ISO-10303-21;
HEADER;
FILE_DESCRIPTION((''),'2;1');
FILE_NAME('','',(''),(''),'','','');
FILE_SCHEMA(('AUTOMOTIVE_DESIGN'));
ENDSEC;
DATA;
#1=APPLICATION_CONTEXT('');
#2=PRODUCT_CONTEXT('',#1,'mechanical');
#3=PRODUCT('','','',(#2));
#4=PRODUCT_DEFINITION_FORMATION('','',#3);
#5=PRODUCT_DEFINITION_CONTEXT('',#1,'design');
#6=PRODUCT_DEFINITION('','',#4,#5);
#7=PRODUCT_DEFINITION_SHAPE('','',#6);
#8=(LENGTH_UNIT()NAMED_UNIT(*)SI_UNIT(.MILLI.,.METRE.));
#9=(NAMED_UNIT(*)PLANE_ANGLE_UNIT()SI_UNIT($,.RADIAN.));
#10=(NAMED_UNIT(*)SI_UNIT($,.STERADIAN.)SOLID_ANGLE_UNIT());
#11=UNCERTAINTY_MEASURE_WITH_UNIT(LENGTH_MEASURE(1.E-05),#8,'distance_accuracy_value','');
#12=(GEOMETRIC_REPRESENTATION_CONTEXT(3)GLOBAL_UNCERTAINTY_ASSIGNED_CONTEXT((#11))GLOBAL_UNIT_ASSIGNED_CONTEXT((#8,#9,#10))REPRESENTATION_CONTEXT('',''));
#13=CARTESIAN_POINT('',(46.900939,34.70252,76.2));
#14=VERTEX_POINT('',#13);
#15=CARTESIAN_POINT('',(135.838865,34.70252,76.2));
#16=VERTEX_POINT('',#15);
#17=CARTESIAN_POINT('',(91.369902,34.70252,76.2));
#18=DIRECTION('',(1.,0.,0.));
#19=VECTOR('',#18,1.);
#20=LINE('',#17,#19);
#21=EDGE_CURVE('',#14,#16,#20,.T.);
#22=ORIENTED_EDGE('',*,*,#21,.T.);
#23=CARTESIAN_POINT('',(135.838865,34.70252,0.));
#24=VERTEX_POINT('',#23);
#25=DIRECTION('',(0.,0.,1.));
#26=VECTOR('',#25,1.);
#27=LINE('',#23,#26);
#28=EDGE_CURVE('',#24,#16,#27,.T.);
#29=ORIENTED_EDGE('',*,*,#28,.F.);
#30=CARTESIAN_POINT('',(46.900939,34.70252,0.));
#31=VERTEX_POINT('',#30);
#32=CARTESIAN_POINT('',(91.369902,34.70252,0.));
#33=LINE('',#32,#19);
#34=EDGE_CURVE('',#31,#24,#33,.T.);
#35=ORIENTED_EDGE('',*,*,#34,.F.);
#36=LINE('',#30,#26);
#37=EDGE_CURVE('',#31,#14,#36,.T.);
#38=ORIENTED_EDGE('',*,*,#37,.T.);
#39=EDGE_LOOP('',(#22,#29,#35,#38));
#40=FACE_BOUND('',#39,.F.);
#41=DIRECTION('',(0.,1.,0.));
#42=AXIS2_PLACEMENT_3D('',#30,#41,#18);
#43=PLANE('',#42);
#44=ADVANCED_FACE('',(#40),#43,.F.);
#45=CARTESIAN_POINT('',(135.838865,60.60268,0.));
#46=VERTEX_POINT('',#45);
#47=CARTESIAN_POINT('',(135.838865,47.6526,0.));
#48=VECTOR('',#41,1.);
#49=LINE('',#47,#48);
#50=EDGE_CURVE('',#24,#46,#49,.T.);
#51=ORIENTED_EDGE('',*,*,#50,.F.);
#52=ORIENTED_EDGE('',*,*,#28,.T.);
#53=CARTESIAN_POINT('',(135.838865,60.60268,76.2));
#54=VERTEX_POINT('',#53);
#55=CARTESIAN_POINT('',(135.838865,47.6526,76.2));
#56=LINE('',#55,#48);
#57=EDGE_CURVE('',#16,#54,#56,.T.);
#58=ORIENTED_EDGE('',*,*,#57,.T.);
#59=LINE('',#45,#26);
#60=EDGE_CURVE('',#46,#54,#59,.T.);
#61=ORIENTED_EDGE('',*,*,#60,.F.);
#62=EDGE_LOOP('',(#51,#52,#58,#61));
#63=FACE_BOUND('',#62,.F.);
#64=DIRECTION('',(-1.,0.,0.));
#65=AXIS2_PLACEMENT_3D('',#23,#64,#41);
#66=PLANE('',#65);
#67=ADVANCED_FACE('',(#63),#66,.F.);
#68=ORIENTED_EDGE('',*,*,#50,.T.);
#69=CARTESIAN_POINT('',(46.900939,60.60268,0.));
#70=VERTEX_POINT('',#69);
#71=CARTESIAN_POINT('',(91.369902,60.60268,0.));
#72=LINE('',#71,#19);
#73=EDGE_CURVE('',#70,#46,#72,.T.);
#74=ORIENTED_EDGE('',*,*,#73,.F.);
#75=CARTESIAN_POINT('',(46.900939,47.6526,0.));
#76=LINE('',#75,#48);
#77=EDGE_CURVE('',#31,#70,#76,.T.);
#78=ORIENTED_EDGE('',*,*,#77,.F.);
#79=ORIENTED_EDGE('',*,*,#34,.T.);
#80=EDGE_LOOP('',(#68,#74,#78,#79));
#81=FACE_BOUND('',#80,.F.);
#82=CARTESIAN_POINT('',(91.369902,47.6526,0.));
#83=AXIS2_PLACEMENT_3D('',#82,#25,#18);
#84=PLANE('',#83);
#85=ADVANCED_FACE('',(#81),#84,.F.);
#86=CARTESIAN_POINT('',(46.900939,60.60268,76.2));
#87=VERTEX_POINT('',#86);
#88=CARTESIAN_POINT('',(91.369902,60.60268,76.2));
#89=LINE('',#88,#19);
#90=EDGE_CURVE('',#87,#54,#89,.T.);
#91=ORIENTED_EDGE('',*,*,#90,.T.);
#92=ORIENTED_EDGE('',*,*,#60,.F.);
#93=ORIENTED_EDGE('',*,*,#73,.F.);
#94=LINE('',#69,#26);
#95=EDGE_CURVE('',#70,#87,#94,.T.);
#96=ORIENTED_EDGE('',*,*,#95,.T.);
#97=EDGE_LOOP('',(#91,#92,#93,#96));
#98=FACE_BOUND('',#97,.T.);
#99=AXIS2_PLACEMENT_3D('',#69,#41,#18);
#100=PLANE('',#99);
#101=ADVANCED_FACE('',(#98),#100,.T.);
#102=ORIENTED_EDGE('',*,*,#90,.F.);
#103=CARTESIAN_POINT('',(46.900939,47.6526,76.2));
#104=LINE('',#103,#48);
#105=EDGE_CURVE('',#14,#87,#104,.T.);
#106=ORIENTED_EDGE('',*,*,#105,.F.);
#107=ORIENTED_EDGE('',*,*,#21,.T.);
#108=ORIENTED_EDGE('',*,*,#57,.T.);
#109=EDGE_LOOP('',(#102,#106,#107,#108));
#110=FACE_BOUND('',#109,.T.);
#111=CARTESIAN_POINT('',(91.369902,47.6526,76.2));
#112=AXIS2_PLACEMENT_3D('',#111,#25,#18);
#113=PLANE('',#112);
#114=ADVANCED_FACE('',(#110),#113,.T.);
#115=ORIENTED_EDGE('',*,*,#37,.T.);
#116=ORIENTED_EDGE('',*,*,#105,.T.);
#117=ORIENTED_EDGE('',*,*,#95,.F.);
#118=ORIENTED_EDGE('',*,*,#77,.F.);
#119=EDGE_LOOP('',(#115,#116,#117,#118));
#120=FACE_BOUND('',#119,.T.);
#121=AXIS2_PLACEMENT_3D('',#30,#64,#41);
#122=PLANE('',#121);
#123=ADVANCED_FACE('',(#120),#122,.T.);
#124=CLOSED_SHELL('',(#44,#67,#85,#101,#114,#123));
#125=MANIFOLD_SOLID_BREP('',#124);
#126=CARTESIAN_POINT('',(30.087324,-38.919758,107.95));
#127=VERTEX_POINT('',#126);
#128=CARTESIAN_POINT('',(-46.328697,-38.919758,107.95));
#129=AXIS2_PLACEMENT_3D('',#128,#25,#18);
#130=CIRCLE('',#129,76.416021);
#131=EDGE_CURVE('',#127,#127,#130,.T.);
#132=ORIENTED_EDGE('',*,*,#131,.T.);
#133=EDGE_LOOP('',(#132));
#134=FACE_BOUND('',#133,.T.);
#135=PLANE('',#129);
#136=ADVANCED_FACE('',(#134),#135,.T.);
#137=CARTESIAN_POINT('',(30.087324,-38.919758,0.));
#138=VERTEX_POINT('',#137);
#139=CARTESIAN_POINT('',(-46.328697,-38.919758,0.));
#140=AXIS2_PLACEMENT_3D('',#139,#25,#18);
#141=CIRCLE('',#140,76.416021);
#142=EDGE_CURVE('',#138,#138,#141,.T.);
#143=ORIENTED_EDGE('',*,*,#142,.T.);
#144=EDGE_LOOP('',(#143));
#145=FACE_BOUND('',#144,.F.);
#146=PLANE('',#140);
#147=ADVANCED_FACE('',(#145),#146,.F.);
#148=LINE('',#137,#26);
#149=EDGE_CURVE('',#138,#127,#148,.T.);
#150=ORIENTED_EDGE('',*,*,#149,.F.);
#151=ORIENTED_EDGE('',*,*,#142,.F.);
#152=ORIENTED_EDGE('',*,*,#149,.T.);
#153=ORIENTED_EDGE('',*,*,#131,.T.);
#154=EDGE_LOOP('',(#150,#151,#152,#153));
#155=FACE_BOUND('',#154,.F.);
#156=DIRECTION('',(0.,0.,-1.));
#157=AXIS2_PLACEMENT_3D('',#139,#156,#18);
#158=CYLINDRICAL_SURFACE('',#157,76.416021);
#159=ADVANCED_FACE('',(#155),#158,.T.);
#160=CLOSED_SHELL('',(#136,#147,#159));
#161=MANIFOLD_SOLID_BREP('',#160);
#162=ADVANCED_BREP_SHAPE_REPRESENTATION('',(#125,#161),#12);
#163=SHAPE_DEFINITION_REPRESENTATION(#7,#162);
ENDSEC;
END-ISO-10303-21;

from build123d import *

# Parameters (mm, degrees)
F0_R     = 76.416021
F1_DEPTH = 107.95
F2_W     = 88.937927
F2_H     = 25.900159
F3_DEPTH = 76.2


with BuildPart() as f1:
    # F0 (on Top) → F1 (new body)
    with BuildSketch(Plane.XY):
        with Locations((-46.328697, -38.919758)):
            Circle(F0_R)
    extrude(amount=F1_DEPTH)


with BuildPart() as f3:
    # F2 (on Top) → F3 (new body)
    with BuildSketch(Plane.XY):
        with Locations((91.369902, 47.6526)):
            Rectangle(F2_W, F2_H)
    extrude(amount=F3_DEPTH)


solid = Compound([f1.part, f3.part])
